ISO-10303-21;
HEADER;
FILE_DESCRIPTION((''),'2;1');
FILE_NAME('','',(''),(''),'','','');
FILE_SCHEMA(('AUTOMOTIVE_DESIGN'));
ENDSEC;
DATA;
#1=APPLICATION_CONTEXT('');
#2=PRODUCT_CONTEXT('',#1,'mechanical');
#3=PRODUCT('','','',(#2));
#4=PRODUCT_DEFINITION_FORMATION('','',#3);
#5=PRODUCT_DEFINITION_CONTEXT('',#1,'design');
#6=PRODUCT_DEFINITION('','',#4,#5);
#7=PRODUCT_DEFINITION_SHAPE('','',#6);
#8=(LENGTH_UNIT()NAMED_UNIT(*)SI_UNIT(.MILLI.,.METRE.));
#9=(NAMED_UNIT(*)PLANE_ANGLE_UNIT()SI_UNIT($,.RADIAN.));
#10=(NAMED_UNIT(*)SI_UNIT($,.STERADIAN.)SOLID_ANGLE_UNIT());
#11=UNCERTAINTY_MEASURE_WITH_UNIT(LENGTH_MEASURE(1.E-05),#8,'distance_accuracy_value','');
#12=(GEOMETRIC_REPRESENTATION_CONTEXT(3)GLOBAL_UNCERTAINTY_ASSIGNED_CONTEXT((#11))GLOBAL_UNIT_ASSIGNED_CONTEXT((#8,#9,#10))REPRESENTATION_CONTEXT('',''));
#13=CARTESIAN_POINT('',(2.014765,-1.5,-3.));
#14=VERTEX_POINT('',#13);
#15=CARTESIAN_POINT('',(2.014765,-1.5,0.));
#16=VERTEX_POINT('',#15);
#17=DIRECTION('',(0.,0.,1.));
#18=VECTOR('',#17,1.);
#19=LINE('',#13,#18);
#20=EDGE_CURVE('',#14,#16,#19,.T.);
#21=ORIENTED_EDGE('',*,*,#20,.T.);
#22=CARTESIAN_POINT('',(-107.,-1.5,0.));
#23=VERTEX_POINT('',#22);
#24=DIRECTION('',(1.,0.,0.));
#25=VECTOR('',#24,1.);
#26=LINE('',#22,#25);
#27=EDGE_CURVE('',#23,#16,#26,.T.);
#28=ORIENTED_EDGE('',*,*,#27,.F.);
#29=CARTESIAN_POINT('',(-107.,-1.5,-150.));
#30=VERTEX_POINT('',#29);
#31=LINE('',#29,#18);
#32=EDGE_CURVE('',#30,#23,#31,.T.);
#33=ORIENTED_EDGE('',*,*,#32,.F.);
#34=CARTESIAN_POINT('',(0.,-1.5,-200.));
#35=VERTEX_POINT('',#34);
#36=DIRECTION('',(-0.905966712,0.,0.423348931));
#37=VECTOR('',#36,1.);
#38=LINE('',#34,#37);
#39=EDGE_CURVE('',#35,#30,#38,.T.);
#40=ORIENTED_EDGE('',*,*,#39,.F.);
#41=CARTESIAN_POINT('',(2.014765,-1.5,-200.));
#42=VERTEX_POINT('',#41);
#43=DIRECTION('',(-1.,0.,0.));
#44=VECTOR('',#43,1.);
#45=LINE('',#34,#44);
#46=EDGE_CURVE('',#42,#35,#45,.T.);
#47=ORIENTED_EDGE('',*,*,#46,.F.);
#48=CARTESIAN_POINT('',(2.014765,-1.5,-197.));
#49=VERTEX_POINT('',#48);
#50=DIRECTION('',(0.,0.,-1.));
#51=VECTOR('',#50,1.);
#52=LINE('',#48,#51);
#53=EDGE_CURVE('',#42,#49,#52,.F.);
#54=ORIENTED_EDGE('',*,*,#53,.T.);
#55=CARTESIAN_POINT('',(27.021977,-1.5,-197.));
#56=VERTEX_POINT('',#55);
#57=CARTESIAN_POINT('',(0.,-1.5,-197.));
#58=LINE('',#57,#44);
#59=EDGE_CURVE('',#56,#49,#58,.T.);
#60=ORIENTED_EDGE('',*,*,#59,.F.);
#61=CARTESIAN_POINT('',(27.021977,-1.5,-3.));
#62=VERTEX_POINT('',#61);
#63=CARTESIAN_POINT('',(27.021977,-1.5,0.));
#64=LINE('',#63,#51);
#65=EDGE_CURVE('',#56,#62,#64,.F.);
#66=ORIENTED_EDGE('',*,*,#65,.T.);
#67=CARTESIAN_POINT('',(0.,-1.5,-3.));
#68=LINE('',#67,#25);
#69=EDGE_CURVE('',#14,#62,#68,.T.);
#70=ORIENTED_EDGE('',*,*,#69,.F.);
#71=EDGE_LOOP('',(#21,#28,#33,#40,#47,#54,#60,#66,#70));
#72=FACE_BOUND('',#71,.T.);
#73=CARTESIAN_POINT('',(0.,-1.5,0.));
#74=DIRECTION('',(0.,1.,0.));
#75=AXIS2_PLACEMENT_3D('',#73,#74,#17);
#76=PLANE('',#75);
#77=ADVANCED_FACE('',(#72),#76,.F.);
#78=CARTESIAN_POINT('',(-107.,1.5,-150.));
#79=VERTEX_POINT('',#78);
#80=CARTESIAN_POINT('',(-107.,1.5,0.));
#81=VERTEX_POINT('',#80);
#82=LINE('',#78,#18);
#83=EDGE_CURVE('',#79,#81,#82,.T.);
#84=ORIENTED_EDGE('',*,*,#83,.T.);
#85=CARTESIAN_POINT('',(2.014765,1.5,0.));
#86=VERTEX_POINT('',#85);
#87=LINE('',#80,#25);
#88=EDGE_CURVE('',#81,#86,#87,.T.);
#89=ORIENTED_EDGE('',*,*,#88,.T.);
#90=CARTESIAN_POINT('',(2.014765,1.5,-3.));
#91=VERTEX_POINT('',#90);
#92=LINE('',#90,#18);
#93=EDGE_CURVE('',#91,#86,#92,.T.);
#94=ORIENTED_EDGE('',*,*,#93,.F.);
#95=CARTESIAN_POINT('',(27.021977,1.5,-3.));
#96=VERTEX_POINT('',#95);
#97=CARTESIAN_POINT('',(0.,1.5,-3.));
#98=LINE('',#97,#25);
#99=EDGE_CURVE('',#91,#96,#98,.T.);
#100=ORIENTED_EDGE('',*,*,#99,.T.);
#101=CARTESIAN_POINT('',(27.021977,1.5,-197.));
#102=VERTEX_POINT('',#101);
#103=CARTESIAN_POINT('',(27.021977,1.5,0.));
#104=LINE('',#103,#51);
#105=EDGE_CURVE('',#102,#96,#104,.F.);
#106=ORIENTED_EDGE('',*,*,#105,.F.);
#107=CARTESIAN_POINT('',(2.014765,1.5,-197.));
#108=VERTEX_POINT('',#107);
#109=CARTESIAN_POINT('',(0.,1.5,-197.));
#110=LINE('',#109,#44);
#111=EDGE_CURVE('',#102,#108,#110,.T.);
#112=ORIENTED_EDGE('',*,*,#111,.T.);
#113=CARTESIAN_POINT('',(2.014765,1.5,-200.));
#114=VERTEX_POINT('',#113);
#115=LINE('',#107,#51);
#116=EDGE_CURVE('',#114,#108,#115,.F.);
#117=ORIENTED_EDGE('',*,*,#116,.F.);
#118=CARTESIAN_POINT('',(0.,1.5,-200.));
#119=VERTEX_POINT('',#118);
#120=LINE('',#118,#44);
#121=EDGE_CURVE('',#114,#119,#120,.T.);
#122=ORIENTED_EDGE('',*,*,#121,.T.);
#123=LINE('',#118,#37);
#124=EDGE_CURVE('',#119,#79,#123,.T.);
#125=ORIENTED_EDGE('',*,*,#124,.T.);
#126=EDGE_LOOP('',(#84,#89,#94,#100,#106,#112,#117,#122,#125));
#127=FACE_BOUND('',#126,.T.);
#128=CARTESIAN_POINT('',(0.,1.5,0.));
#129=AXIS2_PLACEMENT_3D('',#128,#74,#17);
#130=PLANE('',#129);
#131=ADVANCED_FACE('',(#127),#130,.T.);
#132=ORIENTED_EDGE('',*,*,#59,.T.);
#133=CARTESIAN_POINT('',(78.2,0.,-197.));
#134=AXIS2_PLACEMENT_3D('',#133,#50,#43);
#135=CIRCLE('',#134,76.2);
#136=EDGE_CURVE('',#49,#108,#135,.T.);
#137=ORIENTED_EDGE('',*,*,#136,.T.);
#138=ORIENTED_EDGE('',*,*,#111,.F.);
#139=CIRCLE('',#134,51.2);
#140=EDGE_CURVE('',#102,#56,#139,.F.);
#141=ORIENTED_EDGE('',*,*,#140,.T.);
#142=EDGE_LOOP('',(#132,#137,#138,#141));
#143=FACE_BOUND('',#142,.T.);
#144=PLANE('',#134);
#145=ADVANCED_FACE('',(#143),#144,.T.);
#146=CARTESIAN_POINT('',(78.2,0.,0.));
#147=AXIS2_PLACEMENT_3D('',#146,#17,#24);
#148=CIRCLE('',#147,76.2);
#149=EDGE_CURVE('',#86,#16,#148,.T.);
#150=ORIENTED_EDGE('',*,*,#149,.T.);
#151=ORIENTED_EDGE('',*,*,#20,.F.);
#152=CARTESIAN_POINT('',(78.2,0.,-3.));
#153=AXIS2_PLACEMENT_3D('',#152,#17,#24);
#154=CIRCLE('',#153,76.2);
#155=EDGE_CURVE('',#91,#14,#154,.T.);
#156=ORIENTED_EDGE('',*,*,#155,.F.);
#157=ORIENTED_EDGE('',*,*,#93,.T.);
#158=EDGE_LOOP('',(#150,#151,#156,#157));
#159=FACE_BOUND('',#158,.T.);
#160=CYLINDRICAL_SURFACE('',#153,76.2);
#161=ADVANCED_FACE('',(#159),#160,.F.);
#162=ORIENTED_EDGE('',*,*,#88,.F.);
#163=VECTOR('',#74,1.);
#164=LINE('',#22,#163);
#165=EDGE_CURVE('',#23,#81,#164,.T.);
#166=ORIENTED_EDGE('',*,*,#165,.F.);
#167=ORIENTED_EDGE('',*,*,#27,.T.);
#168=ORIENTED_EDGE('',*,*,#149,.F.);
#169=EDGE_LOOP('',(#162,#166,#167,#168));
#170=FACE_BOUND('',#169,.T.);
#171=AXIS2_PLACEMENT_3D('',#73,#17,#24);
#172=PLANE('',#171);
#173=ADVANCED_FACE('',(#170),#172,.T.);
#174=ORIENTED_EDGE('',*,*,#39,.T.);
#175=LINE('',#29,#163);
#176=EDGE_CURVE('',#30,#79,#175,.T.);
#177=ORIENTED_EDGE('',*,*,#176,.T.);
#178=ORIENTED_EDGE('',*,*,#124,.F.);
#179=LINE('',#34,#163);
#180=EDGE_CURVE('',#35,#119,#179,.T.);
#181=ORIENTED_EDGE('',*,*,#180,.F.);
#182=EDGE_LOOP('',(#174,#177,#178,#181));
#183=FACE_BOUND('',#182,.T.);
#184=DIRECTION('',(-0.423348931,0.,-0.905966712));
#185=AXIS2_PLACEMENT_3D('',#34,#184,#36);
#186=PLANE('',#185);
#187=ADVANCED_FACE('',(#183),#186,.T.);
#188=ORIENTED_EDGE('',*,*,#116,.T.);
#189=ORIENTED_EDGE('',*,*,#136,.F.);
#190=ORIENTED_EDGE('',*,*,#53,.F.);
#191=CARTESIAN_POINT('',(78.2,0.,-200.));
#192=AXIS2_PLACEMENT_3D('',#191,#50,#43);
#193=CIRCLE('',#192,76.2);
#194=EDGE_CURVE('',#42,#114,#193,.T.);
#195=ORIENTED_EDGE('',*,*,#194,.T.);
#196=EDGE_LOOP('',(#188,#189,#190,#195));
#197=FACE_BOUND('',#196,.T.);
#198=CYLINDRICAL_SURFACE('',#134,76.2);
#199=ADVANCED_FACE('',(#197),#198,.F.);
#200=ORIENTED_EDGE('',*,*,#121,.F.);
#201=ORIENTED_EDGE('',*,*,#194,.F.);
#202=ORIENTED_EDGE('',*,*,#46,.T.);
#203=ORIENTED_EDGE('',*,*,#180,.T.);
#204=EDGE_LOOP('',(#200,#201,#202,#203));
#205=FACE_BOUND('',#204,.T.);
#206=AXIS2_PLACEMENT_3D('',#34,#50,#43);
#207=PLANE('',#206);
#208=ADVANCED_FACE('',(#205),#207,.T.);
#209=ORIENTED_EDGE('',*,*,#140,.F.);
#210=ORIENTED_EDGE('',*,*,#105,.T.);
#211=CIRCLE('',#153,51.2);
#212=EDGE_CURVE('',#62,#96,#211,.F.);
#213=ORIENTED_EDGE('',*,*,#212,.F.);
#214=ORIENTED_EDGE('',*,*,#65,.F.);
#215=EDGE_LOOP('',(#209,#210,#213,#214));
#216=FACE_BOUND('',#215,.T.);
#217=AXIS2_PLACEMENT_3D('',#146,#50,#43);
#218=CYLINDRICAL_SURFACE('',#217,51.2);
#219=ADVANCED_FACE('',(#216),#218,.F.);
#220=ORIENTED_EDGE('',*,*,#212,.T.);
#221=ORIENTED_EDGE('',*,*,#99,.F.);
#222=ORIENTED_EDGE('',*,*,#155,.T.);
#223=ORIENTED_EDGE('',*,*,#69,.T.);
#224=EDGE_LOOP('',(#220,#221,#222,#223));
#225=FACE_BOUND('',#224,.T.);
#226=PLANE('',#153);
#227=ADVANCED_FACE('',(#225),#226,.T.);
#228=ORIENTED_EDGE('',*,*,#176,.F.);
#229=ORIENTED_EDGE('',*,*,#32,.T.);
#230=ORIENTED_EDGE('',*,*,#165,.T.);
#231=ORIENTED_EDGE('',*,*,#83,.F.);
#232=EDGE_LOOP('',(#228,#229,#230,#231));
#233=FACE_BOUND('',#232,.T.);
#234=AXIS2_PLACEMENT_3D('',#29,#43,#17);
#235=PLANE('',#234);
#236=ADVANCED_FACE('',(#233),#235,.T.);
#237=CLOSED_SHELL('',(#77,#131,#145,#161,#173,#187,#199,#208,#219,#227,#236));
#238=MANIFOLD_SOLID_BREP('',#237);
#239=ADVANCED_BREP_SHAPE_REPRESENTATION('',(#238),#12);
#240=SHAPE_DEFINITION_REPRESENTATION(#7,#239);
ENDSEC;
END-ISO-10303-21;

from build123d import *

# Parameters (mm, degrees)
BOSS_EXTRUDE1_DEPTH      = 1.5
BOSS_EXTRUDE1_DEPTH_BACK = 1.5
SKETCH2_R                = 51.2
CUT_EXTRUDE1_DEPTH       = 227.828679845
SKETCH3_R                = 76.2
CUT_EXTRUDE2_DEPTH       = 3
CUT_EXTRUDE3_START       = -3
SKETCH4_R                = 76.2
CUT_EXTRUDE3_DEPTH       = 3


with BuildPart() as part:
    # Sketch1 → Boss-Extrude1 (new, two sides: drawn at the far end of the back side and taken through both)
    with BuildSketch(Plane(origin=(0, 0, 0), x_dir=(1, 0, 0), z_dir=(0, 1, 0)).offset(-BOSS_EXTRUDE1_DEPTH_BACK)):
        Polygon((-107, 150), (-107, 0), (0, 0), (78.2, 0), (78.2, 200), (0, 200), align=None)
    extrude(amount=BOSS_EXTRUDE1_DEPTH + BOSS_EXTRUDE1_DEPTH_BACK)

    # Sketch2 → Cut-Extrude1 (cut, through all)
    with BuildSketch(Plane(origin=(0, 0, -200), x_dir=(-1, 0, 0), z_dir=(0, 0, -1))):
        with Locations((-78.2, 0)):
            Circle(SKETCH2_R)
    extrude(amount=-CUT_EXTRUDE1_DEPTH, mode=Mode.SUBTRACT)

    # Sketch3 → Cut-Extrude2 (cut)
    with BuildSketch(Plane(origin=(0, 0, -200), x_dir=(-1, 0, 0), z_dir=(0, 0, -1))):
        with Locations((-78.2, 0)):
            Circle(SKETCH3_R)
    extrude(amount=-CUT_EXTRUDE2_DEPTH, mode=Mode.SUBTRACT)

    # Sketch4 → Cut-Extrude3 (cut)
    with BuildSketch(Plane.XY.offset(CUT_EXTRUDE3_START)):
        with Locations((78.2, 0)):
            Circle(SKETCH4_R)
    extrude(amount=CUT_EXTRUDE3_DEPTH, mode=Mode.SUBTRACT)


solid = part.part
